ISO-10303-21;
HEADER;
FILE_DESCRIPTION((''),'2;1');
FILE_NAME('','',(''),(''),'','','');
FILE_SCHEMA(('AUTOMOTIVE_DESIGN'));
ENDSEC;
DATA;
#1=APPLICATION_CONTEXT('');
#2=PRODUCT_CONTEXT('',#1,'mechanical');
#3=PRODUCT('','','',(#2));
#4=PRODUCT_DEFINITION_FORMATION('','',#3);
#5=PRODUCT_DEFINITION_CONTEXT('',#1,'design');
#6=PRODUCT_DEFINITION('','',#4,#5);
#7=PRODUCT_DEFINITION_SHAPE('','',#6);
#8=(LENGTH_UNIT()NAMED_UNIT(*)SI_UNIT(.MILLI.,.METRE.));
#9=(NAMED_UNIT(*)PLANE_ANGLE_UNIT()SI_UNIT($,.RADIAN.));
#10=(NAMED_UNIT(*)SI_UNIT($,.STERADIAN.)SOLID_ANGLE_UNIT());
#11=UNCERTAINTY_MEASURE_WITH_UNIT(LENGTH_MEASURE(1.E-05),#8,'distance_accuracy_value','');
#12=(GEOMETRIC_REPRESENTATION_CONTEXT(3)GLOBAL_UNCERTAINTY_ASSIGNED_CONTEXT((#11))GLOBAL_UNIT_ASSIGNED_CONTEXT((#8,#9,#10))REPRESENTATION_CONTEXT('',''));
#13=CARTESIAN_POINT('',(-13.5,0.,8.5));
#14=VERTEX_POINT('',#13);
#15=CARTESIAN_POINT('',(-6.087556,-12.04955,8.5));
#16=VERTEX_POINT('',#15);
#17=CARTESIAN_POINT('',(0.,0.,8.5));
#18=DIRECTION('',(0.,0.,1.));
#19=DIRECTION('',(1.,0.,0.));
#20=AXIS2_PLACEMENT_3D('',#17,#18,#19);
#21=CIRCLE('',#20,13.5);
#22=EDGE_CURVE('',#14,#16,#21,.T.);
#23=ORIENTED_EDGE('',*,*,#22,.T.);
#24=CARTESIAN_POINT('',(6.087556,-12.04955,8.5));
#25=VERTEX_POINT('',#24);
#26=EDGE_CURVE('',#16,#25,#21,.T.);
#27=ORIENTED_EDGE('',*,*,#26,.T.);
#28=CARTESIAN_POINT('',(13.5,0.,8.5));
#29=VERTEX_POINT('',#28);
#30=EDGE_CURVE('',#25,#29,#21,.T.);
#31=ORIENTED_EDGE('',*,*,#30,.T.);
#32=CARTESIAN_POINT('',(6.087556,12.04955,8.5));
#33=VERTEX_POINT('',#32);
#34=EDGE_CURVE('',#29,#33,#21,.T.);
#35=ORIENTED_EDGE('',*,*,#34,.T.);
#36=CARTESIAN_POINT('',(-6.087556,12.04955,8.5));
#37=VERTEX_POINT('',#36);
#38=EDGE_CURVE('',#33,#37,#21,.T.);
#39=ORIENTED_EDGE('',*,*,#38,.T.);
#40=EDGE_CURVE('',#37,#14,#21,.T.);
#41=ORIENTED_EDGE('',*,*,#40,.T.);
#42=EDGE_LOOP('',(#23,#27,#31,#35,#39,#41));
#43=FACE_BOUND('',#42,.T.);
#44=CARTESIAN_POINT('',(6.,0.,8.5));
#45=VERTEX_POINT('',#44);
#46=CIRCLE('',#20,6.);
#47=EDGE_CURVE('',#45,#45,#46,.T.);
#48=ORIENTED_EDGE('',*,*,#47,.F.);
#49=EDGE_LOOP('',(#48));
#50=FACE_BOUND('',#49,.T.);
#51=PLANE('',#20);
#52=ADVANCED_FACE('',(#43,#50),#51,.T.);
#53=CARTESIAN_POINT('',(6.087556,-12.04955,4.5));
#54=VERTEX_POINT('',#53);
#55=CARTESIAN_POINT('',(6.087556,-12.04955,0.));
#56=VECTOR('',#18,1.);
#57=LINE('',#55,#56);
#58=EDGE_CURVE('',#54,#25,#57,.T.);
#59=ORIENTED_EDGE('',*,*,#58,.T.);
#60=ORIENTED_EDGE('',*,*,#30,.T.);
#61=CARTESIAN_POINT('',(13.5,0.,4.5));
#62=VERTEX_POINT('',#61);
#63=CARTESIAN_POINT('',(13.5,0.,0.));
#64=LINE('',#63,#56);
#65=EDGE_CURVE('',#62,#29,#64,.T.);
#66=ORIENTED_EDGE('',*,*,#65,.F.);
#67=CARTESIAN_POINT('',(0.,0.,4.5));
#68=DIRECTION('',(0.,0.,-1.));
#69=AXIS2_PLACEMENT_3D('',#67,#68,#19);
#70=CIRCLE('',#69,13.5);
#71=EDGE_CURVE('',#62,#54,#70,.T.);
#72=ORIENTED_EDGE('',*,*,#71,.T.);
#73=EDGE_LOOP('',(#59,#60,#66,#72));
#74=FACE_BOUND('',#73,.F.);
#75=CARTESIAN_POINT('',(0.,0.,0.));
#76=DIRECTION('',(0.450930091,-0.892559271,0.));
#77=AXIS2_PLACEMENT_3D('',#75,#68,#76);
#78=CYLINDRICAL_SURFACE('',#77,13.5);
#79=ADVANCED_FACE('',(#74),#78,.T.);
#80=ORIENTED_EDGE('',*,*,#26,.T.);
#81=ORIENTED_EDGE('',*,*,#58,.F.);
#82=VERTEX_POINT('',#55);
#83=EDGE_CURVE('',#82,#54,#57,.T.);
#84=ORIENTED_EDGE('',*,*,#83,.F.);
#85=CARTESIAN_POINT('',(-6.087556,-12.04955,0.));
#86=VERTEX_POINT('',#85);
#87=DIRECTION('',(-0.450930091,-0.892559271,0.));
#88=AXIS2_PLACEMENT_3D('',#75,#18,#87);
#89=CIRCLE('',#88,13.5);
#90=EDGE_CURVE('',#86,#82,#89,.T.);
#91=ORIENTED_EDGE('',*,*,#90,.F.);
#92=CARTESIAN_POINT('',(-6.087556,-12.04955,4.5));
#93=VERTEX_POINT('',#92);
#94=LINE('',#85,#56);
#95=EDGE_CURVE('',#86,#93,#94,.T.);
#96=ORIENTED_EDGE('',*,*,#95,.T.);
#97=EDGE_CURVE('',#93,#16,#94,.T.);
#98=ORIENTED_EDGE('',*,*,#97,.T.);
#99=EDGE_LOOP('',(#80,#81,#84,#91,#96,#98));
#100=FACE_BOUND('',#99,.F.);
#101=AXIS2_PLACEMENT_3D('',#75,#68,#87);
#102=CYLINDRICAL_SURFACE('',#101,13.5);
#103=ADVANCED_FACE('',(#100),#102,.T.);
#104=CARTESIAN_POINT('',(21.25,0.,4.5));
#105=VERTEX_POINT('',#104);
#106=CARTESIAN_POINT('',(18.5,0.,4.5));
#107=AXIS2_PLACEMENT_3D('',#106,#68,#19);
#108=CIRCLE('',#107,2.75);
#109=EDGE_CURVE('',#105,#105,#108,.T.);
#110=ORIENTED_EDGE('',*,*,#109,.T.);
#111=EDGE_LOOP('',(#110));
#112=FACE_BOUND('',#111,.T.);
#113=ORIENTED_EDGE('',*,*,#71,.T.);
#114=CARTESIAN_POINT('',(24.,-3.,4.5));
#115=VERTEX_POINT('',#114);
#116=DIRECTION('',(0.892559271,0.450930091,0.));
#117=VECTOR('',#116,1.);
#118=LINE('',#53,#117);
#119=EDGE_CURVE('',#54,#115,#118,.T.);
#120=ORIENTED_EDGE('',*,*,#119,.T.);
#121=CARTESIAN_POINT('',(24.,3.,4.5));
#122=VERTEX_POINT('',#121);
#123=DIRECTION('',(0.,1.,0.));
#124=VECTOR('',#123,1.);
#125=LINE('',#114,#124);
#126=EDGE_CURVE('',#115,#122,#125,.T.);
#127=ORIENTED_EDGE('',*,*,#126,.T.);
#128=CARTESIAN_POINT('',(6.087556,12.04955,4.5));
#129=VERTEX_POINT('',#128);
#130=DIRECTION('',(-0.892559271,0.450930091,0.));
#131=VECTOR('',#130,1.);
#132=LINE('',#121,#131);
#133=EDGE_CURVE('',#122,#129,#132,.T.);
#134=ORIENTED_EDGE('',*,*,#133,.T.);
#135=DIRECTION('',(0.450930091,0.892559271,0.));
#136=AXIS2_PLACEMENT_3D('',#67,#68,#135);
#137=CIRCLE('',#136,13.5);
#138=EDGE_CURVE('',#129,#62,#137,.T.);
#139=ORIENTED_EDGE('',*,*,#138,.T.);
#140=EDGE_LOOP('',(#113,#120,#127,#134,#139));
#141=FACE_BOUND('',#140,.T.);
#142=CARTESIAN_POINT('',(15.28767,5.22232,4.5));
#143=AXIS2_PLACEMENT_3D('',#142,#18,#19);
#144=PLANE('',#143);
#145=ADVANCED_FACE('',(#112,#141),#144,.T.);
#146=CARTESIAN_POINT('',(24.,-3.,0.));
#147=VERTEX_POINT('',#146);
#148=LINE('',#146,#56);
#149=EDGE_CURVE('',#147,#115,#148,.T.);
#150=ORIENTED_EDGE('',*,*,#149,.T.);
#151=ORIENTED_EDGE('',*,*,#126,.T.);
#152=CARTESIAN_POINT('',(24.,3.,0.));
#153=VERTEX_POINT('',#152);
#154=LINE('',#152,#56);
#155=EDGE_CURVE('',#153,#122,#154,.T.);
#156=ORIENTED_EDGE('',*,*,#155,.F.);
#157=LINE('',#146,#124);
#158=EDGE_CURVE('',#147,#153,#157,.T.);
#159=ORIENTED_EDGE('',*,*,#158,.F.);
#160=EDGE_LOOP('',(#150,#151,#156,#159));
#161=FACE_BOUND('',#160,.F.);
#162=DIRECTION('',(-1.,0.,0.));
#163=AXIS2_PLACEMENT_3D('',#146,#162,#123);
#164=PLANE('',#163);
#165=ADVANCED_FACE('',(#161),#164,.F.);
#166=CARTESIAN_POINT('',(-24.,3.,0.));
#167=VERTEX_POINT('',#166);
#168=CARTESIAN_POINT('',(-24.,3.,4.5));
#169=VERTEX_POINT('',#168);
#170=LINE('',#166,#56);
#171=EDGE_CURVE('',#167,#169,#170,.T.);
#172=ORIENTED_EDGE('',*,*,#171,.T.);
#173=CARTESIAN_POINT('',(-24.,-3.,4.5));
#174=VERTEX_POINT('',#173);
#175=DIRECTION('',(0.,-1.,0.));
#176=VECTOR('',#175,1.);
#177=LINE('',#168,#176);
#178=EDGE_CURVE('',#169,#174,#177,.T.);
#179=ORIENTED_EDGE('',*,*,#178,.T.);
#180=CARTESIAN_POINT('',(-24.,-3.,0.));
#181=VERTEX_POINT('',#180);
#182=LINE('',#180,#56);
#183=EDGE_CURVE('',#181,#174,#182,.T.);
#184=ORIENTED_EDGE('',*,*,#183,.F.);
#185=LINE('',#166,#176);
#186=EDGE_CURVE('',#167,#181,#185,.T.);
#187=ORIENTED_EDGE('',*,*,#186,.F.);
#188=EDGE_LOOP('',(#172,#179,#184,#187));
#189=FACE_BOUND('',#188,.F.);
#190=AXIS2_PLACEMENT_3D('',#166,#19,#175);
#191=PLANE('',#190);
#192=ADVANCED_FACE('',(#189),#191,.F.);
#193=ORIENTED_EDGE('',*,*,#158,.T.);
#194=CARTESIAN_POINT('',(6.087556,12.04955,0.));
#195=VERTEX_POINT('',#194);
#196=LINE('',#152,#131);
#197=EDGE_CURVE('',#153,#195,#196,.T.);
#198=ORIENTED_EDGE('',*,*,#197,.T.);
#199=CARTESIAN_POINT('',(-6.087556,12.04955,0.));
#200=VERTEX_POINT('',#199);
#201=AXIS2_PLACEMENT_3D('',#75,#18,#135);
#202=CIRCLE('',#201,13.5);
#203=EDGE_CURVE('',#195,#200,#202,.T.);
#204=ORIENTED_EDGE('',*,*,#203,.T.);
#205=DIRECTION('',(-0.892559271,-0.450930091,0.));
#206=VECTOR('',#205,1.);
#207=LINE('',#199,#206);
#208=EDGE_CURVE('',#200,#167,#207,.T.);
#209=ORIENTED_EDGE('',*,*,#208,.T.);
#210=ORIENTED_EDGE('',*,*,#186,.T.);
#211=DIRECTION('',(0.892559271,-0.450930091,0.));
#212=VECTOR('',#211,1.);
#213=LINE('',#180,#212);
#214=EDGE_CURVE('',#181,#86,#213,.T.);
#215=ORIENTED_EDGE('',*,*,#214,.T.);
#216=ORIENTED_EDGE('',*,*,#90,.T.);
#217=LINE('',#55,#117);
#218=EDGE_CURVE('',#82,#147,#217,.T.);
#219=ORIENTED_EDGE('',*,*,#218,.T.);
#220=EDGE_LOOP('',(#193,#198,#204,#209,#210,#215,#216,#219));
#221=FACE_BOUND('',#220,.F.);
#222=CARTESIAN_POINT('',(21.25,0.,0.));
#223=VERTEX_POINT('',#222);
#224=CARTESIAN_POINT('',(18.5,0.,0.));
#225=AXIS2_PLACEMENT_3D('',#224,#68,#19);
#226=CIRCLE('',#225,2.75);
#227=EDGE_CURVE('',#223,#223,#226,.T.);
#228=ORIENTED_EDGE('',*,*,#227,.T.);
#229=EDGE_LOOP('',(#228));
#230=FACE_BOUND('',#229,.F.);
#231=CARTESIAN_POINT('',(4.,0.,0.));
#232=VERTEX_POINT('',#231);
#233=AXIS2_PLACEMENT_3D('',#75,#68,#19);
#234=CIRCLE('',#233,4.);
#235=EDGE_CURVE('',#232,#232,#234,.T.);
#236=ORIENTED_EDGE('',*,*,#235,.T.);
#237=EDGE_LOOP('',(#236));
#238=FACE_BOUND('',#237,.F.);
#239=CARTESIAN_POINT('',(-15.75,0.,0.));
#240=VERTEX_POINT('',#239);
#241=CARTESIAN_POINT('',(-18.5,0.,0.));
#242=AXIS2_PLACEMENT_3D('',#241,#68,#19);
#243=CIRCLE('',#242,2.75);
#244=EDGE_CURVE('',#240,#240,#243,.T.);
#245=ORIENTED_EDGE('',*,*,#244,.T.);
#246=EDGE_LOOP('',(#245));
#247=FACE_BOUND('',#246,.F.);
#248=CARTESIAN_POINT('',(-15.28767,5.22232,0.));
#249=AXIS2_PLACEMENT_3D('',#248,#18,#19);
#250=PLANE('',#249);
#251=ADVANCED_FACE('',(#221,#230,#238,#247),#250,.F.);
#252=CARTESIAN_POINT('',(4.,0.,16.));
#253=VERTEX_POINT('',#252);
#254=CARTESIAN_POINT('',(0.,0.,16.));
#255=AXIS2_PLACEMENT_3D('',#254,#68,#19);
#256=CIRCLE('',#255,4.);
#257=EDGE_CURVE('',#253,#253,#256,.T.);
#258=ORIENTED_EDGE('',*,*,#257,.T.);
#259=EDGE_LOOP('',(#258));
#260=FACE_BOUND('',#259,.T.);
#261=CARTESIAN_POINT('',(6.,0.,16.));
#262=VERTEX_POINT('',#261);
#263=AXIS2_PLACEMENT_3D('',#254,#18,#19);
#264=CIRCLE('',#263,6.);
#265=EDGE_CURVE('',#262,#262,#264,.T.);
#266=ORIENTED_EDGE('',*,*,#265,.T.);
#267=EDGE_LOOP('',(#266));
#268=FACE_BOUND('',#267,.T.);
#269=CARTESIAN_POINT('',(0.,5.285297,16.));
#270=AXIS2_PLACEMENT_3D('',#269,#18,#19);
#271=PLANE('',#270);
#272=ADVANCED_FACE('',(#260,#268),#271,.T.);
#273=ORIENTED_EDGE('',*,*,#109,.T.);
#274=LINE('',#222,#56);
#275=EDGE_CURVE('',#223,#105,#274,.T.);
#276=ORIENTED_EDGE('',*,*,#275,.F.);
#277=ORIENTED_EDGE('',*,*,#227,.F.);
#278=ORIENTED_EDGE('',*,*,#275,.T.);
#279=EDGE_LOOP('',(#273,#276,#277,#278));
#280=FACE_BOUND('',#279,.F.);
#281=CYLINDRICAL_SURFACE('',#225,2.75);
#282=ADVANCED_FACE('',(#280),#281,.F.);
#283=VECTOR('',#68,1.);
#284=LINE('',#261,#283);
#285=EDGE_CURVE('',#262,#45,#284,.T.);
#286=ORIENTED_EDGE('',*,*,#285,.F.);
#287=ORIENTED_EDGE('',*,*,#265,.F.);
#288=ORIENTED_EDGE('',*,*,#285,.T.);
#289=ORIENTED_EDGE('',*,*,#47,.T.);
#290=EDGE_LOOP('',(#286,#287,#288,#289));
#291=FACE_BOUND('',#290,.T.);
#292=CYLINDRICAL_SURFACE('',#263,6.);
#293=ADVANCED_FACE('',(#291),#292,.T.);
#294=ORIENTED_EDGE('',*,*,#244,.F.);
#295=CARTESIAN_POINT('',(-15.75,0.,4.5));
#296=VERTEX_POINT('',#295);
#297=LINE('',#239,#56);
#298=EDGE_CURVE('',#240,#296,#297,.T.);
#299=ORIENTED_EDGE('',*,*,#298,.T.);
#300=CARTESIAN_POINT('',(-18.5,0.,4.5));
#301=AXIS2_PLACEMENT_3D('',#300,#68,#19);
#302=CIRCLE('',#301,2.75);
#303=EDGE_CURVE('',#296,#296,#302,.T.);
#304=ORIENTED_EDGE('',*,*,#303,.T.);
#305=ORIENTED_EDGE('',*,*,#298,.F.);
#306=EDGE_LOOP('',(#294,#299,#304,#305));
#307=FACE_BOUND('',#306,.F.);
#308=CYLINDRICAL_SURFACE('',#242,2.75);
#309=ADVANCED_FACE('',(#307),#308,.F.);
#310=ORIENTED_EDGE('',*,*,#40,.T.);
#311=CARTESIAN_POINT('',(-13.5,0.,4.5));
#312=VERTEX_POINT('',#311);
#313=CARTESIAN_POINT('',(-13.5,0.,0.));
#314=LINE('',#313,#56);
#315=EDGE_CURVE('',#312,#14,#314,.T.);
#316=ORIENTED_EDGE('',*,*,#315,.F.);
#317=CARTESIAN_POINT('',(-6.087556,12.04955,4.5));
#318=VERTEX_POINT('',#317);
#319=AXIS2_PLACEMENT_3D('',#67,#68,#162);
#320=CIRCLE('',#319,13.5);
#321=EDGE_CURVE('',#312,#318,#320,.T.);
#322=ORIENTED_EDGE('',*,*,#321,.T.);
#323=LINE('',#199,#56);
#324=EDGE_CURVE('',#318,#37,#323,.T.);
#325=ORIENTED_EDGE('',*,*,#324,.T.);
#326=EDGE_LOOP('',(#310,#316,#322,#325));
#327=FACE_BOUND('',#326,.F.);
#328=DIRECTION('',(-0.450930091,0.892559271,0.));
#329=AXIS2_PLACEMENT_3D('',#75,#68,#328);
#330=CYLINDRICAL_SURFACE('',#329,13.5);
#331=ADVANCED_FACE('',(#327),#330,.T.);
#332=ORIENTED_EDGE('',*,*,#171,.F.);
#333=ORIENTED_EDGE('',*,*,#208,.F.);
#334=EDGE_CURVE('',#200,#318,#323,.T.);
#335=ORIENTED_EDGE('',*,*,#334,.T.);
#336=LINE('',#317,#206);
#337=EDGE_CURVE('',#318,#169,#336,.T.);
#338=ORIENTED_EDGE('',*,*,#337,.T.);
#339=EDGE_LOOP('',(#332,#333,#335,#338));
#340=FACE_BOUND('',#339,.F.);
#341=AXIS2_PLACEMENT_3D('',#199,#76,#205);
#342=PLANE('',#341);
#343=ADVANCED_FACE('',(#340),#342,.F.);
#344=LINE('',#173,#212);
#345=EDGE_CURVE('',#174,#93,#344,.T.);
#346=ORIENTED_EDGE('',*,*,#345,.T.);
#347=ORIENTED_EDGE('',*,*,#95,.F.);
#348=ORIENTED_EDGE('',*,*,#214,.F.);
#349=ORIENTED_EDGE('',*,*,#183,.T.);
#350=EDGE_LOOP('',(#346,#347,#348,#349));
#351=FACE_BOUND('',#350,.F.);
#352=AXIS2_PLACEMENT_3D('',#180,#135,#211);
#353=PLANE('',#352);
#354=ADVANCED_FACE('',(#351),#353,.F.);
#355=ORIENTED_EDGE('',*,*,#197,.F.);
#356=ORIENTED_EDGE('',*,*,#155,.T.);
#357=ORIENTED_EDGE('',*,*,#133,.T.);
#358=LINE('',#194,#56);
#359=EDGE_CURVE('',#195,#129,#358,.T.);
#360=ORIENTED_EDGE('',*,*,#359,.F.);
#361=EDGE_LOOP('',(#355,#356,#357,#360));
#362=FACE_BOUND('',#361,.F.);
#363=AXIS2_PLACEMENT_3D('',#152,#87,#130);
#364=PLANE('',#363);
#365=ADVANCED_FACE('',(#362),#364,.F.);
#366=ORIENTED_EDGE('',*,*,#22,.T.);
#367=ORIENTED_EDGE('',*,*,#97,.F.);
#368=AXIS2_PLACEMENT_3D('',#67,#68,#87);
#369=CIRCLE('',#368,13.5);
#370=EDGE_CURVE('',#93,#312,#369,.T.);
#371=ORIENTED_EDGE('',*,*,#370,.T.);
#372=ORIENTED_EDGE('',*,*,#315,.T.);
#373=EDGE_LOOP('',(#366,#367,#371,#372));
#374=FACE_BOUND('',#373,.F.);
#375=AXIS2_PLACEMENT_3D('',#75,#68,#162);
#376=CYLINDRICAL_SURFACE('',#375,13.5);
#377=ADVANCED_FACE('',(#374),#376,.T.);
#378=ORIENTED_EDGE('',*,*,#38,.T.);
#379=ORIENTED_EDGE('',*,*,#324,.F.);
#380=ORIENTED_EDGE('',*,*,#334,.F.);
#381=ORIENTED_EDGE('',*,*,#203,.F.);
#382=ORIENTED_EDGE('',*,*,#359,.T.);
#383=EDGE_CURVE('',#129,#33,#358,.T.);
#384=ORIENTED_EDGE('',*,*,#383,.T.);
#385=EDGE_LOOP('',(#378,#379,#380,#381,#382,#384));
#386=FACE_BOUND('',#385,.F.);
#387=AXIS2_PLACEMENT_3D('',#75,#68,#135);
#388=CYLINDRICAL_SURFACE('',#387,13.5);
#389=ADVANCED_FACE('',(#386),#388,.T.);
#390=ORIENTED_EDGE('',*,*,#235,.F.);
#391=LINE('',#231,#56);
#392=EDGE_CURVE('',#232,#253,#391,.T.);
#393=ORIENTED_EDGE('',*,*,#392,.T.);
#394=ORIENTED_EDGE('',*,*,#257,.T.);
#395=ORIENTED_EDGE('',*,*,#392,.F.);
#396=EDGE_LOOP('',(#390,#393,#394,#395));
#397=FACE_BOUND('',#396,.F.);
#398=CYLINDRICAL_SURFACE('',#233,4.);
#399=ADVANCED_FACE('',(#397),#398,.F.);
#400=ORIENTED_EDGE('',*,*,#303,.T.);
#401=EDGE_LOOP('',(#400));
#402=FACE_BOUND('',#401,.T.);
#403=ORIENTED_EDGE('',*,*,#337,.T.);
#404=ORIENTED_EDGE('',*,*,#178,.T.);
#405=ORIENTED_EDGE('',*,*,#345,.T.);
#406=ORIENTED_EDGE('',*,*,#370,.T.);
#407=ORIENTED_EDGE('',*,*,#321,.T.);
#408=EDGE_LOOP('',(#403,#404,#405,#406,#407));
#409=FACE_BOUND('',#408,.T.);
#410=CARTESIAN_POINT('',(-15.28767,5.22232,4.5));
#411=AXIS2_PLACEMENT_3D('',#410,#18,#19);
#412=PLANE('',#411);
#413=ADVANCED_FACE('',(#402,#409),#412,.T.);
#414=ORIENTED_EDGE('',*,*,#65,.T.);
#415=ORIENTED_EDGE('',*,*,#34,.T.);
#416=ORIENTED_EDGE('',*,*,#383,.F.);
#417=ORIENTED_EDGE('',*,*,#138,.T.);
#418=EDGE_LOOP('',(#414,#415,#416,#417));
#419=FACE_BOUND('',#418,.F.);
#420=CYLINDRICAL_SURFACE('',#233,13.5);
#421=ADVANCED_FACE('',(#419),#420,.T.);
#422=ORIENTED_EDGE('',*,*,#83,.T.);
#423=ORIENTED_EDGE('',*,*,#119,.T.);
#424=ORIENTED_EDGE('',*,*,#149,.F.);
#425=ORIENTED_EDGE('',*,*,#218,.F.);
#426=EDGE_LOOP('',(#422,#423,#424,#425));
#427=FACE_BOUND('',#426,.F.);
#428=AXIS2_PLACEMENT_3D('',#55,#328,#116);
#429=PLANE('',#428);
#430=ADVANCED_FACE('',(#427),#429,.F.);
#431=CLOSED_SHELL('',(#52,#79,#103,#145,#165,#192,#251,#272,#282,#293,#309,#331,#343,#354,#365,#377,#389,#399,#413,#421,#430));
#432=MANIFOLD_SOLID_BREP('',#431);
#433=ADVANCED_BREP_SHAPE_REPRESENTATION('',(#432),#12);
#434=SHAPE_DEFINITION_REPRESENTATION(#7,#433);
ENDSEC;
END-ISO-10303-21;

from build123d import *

# Parameters (mm, degrees)
F1_DEPTH = 16
F2_DEPTH = 4.5
F3_R     = 13.5
F3_R_2   = 6
F4_DEPTH = 7.5


with BuildPart() as f1:
    # F0 (on Top) → F1 (new body)
    with BuildSketch(Plane.XY):
        with BuildLine():
            Line((4, 0), (13.5, 0))
            ThreePointArc((13.5, 0), (11.4985218419, 7.0734712448), (6.0875562295, 12.0495501639))
            ThreePointArc((6.0875562295, 12.0495501639), (0, 13.5), (-6.0875562295, 12.0495501639))
            ThreePointArc((-6.0875562295, 12.0495501639), (-11.4985218419, 7.0734712448), (-13.5, 0))
            Line((-13.5, 0), (-4, 0))
            ThreePointArc((-4, 0), (0, 4), (4, 0))
        make_face()
        with BuildLine():
            ThreePointArc((6.0875562295, -12.0495501639), (11.4985218419, -7.0734712448), (13.5, 0))
            Line((13.5, 0), (4, 0))
            ThreePointArc((4, 0), (0, -4), (-4, 0))
            Line((-4, 0), (-13.5, 0))
            ThreePointArc((-13.5, 0), (-11.4985218419, -7.0734712448), (-6.0875562295, -12.0495501639))
            ThreePointArc((-6.0875562295, -12.0495501639), (0, -13.5), (6.0875562295, -12.0495501639))
        make_face()
    extrude(amount=F1_DEPTH)

    # F0 (on Top) → F2 (join)
    with BuildSketch(Plane.XY):
        with BuildLine():
            ThreePointArc((-13.5, 0), (-11.4985218419, 7.0734712448), (-6.0875562295, 12.0495501639))
            Line((-6.0875562295, 12.0495501639), (-24, 3))
            Line((-24, 3), (-24, 0))
            Line((-24, 0), (-21.25, 0))
            ThreePointArc((-21.25, 0), (-18.5, 2.75), (-15.75, 0))
            Line((-15.75, 0), (-13.5, 0))
        make_face()
        with BuildLine():
            Line((-24, -3), (-6.0875562295, -12.0495501639))
            ThreePointArc((-6.0875562295, -12.0495501639), (-11.4985218419, -7.0734712448), (-13.5, 0))
            Line((-13.5, 0), (-15.75, 0))
            ThreePointArc((-15.75, 0), (-18.5, -2.75), (-21.25, 0))
            Line((-21.25, 0), (-24, 0))
            Line((-24, 0), (-24, -3))
        make_face()
        with BuildLine():
            ThreePointArc((6.0875562295, 12.0495501639), (11.4985218419, 7.0734712448), (13.5, 0))
            Line((13.5, 0), (15.75, 0))
            ThreePointArc((15.75, 0), (18.5, 2.75), (21.25, 0))
            Line((21.25, 0), (24, 0))
            Line((24, 0), (24, 3))
            Line((24, 3), (6.0875562295, 12.0495501639))
        make_face()
        with BuildLine():
            Line((15.75, 0), (13.5, 0))
            ThreePointArc((13.5, 0), (11.4985218419, -7.0734712448), (6.0875562295, -12.0495501639))
            Line((6.0875562295, -12.0495501639), (24, -3))
            Line((24, -3), (24, 0))
            Line((24, 0), (21.25, 0))
            ThreePointArc((21.25, 0), (18.5, -2.75), (15.75, 0))
        make_face()
    extrude(amount=F2_DEPTH)

    # F3 (on face) → F4 (cut)
    with BuildSketch(Plane.XY.offset(16)):
        Circle(F3_R)
        Circle(F3_R_2, mode=Mode.SUBTRACT)
    extrude(amount=-F4_DEPTH, mode=Mode.SUBTRACT)


solid = f1.part
